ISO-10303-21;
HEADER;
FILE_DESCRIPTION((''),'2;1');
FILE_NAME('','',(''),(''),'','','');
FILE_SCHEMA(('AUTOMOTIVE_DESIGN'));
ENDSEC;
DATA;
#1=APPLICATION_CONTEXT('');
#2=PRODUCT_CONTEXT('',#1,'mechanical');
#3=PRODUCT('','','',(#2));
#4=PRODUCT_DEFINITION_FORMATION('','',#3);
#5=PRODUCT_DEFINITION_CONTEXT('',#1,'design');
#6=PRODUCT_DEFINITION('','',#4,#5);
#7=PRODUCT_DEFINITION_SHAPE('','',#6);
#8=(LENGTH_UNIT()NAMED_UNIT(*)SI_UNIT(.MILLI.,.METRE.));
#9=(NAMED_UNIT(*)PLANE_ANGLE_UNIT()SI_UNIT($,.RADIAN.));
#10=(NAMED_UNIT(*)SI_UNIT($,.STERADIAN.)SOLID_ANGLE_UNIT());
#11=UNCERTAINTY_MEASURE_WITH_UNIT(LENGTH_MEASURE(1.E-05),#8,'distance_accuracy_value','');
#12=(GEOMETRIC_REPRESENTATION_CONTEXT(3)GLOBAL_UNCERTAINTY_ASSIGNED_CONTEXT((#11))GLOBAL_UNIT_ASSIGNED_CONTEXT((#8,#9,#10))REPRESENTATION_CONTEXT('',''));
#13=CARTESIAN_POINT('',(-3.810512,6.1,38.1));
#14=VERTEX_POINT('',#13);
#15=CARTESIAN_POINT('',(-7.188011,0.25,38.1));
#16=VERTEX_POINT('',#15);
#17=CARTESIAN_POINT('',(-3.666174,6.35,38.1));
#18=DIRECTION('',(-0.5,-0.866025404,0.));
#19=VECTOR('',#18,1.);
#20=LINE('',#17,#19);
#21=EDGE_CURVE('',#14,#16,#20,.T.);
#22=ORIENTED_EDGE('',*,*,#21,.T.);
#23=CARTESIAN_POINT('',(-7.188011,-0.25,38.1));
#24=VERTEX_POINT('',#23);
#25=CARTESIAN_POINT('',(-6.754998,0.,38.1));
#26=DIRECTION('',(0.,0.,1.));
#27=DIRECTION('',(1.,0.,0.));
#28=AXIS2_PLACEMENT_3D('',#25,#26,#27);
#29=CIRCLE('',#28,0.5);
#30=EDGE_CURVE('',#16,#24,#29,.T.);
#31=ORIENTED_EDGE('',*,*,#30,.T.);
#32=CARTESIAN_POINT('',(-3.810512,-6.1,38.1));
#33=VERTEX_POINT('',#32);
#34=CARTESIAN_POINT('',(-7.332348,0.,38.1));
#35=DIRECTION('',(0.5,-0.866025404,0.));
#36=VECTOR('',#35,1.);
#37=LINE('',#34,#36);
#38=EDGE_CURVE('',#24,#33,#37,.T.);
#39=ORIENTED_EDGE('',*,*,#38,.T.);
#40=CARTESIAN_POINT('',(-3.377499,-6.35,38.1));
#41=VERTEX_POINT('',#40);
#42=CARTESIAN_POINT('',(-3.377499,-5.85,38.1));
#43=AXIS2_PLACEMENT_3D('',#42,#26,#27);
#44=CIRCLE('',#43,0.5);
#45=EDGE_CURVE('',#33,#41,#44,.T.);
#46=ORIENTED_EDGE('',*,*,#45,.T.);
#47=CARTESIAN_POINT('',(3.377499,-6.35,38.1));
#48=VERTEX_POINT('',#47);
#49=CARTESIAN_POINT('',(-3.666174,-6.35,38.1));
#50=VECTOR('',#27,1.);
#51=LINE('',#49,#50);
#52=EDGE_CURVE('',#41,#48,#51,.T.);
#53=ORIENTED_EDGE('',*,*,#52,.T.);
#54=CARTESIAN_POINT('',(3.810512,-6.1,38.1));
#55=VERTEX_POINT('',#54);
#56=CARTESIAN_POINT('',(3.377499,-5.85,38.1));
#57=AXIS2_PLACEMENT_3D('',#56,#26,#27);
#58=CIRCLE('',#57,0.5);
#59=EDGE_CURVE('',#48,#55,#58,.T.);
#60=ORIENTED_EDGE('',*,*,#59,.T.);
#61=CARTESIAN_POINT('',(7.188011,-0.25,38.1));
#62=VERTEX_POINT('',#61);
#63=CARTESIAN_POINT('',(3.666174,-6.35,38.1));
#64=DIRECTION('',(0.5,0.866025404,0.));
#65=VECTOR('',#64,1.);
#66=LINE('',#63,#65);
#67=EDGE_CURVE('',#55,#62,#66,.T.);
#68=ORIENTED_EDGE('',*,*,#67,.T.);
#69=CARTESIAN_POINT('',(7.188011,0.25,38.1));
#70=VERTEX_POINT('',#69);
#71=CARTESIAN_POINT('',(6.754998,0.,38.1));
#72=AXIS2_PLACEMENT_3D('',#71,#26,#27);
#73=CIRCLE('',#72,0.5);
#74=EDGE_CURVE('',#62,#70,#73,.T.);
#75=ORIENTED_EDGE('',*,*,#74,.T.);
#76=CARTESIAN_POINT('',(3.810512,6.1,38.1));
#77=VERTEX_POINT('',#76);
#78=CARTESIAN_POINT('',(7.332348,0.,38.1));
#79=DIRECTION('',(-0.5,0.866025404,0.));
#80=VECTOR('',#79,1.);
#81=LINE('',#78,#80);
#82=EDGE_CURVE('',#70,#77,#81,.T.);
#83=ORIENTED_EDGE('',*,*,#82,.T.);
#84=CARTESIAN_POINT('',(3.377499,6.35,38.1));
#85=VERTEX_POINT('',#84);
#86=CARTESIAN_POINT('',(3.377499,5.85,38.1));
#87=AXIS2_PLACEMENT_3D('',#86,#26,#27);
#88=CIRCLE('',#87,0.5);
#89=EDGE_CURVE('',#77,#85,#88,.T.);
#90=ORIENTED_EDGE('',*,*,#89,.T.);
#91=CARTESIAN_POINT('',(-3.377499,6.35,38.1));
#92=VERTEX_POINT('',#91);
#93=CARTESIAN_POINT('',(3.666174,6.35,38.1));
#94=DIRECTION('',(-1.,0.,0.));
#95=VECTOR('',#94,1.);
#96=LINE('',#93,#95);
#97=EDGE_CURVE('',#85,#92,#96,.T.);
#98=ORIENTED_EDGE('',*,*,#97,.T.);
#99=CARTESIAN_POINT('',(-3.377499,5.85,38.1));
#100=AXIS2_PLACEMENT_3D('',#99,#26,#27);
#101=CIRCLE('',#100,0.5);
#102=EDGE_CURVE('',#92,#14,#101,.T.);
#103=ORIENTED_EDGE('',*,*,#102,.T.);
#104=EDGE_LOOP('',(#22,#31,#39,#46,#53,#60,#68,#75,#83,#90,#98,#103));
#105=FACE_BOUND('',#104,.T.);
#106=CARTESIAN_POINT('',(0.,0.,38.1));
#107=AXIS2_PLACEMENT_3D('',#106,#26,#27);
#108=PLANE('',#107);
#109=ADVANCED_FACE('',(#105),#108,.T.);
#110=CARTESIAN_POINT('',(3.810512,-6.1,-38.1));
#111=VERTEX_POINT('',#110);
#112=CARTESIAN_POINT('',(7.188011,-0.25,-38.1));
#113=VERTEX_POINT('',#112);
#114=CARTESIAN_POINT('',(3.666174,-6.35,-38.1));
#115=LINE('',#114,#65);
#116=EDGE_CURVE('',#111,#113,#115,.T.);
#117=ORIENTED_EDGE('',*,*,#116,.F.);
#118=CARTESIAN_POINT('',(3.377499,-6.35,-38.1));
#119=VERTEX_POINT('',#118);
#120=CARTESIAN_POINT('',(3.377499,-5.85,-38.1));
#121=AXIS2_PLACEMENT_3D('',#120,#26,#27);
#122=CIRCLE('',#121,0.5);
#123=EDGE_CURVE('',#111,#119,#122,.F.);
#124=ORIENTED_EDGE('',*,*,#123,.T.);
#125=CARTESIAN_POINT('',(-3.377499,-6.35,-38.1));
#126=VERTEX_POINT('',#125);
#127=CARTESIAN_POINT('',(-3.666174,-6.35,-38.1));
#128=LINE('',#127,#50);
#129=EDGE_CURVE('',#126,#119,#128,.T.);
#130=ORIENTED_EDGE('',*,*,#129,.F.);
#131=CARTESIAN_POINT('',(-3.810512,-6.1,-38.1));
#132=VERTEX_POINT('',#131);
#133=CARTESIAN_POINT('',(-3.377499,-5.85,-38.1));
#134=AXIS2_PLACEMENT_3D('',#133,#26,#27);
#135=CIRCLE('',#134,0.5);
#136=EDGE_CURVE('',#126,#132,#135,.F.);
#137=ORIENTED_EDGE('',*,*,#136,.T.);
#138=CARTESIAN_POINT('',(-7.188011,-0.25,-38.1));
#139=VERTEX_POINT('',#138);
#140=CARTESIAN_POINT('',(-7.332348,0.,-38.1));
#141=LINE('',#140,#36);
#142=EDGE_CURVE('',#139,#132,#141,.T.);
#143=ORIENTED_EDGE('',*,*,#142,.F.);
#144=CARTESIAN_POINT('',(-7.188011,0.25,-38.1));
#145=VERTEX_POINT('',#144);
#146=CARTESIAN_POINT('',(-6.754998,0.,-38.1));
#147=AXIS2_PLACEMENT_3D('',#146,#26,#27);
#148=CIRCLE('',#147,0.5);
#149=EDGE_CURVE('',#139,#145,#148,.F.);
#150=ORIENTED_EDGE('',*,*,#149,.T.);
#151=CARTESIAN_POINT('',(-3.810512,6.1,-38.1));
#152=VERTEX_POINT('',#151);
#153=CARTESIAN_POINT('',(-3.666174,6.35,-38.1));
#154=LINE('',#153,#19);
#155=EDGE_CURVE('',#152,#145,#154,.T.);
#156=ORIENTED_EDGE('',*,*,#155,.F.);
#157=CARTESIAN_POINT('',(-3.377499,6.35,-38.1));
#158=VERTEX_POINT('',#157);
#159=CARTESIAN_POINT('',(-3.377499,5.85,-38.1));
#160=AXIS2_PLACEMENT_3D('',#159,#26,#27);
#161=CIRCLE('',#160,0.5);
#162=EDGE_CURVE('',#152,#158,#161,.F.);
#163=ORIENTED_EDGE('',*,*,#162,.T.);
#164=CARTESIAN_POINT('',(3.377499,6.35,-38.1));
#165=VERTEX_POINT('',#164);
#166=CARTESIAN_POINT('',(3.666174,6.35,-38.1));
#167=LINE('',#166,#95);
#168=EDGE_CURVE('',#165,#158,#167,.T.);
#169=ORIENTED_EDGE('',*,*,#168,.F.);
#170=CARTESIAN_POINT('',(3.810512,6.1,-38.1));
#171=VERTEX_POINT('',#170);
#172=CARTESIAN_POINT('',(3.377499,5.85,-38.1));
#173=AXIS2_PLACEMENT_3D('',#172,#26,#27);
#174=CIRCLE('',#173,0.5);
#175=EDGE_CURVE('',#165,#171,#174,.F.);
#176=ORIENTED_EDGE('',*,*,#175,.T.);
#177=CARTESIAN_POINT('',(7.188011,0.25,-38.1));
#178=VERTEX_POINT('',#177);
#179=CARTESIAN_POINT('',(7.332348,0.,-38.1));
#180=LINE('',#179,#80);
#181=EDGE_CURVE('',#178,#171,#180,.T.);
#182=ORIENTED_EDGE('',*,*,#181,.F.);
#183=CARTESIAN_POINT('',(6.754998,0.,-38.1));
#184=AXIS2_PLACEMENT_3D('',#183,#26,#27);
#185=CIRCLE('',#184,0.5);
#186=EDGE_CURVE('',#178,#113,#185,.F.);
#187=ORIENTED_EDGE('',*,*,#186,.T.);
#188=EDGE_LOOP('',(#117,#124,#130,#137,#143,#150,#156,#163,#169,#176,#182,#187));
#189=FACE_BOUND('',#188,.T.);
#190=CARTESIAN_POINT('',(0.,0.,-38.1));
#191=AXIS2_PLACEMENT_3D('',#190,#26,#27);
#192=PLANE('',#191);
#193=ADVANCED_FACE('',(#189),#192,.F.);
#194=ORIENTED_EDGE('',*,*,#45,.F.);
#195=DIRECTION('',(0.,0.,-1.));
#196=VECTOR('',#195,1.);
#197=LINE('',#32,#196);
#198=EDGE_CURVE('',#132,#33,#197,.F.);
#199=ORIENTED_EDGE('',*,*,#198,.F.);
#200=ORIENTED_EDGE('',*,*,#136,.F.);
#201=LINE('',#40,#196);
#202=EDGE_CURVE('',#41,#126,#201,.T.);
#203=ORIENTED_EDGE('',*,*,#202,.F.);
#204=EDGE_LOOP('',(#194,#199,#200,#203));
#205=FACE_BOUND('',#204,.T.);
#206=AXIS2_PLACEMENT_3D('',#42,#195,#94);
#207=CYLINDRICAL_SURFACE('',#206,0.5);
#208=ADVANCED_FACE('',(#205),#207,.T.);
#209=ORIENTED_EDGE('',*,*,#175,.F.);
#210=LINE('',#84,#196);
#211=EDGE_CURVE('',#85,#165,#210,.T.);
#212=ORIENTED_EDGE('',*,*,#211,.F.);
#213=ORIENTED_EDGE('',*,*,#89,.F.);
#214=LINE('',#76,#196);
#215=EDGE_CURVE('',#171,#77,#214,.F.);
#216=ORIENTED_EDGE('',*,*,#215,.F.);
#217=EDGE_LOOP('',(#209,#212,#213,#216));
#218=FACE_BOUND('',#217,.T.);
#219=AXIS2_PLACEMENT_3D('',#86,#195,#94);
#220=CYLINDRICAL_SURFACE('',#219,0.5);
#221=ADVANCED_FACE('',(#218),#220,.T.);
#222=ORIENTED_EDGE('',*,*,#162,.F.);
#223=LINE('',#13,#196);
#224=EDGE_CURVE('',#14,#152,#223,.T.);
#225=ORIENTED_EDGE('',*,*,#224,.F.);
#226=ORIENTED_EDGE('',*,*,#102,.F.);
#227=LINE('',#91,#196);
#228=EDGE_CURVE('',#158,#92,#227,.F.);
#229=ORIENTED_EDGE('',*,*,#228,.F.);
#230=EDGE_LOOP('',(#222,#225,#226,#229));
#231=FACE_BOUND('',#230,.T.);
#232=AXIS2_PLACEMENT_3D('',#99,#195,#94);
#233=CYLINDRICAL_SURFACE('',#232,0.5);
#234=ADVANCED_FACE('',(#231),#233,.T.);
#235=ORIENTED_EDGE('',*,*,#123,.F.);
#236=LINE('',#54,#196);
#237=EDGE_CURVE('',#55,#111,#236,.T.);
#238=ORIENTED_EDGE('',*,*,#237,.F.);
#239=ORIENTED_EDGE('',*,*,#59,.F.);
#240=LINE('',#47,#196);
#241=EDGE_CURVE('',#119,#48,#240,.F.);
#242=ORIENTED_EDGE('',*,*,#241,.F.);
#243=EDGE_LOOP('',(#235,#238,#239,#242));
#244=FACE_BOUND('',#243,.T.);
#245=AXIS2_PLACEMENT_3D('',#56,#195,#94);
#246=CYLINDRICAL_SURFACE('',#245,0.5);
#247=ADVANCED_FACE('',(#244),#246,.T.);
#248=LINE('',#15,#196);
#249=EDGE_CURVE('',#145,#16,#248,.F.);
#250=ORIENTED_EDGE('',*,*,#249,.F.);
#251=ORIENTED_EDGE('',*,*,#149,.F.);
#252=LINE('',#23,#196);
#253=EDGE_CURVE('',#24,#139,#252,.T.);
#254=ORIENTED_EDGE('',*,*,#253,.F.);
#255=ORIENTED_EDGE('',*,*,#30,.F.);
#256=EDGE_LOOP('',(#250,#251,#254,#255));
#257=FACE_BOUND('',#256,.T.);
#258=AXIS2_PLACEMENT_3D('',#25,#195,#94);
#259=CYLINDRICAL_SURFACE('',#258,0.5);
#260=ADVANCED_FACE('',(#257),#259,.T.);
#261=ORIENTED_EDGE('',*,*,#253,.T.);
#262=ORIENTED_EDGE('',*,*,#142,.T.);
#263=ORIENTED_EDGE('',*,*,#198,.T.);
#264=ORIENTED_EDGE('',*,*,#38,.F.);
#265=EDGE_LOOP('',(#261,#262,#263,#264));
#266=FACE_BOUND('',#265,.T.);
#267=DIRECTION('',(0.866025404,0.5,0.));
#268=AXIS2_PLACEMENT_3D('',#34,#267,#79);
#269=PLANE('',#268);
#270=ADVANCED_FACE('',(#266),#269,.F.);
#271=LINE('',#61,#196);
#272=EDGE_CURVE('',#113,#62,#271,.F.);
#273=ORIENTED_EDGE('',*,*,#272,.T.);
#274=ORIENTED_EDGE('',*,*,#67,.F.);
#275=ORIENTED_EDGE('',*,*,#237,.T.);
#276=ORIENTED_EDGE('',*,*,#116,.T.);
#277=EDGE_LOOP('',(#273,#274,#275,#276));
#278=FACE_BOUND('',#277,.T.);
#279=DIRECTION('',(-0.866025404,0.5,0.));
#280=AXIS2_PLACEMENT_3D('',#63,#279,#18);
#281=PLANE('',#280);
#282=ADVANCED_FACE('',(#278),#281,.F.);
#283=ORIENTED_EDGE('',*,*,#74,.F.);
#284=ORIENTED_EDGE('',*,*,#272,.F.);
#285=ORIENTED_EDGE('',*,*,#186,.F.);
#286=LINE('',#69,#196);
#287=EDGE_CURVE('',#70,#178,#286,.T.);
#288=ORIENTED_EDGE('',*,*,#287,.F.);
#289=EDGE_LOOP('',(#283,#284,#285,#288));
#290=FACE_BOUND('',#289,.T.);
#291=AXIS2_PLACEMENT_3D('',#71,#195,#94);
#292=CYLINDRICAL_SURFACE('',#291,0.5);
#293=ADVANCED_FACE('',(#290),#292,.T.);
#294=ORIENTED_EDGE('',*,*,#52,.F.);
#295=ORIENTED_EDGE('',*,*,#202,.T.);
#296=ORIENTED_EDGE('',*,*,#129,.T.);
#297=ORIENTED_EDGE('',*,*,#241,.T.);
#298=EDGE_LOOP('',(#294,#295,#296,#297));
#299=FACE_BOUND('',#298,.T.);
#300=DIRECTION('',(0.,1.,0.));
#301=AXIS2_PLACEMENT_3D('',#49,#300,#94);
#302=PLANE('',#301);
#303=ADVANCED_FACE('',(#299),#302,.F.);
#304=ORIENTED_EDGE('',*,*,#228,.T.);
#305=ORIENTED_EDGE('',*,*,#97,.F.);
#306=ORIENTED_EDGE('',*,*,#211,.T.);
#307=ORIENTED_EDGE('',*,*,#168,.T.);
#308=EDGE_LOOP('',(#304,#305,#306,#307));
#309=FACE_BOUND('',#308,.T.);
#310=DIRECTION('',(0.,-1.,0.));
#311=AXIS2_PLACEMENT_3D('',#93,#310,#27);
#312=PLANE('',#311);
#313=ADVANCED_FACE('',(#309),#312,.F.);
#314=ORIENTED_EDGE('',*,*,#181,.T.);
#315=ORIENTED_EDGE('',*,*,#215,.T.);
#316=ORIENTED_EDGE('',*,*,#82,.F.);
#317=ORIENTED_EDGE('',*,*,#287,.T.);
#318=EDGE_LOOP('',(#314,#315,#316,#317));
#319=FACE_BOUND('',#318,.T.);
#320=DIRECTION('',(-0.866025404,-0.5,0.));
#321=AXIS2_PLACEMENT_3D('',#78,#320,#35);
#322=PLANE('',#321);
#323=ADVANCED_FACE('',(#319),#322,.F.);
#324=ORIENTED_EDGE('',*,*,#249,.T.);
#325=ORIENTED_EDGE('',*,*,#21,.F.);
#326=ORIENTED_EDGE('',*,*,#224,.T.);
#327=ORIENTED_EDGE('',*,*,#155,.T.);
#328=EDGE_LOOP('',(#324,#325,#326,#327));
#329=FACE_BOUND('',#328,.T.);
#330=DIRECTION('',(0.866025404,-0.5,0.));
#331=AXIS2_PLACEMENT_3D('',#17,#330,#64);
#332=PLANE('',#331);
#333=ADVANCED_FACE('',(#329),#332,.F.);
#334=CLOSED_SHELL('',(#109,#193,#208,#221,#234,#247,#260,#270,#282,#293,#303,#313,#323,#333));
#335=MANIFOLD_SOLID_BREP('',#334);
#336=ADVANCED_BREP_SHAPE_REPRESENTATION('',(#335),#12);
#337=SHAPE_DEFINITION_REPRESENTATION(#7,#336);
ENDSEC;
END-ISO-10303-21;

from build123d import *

# Parameters (mm, degrees)
BOSS_EXTRUDE1_DEPTH = 38.1
FILLET1_R           = 0.5


with BuildPart() as part:
    # Sketch1 → Boss-Extrude1 (new, symmetric)
    with BuildSketch(Plane.XY):
        Polygon((7.332348419, 0), (3.666174209, 6.35), (-3.666174209, 6.35), (-7.332348419, 0), (-3.666174209, -6.35), (3.666174209, -6.35), align=None)
    extrude(amount=BOSS_EXTRUDE1_DEPTH, both=True)

    # Fillet1
    fillet1_edges = [part.edges().sort_by_distance(p)[0] for p in [
        (3.666174209, -6.35, 0),
        (-3.666174209, -6.35, 0),
        (-7.332348419, 0, 0),
        (-3.666174209, 6.35, 0),
        (3.666174209, 6.35, 0),
        (7.332348419, 0, 0),
    ]]
    fillet(fillet1_edges, radius=FILLET1_R)


solid = part.part
